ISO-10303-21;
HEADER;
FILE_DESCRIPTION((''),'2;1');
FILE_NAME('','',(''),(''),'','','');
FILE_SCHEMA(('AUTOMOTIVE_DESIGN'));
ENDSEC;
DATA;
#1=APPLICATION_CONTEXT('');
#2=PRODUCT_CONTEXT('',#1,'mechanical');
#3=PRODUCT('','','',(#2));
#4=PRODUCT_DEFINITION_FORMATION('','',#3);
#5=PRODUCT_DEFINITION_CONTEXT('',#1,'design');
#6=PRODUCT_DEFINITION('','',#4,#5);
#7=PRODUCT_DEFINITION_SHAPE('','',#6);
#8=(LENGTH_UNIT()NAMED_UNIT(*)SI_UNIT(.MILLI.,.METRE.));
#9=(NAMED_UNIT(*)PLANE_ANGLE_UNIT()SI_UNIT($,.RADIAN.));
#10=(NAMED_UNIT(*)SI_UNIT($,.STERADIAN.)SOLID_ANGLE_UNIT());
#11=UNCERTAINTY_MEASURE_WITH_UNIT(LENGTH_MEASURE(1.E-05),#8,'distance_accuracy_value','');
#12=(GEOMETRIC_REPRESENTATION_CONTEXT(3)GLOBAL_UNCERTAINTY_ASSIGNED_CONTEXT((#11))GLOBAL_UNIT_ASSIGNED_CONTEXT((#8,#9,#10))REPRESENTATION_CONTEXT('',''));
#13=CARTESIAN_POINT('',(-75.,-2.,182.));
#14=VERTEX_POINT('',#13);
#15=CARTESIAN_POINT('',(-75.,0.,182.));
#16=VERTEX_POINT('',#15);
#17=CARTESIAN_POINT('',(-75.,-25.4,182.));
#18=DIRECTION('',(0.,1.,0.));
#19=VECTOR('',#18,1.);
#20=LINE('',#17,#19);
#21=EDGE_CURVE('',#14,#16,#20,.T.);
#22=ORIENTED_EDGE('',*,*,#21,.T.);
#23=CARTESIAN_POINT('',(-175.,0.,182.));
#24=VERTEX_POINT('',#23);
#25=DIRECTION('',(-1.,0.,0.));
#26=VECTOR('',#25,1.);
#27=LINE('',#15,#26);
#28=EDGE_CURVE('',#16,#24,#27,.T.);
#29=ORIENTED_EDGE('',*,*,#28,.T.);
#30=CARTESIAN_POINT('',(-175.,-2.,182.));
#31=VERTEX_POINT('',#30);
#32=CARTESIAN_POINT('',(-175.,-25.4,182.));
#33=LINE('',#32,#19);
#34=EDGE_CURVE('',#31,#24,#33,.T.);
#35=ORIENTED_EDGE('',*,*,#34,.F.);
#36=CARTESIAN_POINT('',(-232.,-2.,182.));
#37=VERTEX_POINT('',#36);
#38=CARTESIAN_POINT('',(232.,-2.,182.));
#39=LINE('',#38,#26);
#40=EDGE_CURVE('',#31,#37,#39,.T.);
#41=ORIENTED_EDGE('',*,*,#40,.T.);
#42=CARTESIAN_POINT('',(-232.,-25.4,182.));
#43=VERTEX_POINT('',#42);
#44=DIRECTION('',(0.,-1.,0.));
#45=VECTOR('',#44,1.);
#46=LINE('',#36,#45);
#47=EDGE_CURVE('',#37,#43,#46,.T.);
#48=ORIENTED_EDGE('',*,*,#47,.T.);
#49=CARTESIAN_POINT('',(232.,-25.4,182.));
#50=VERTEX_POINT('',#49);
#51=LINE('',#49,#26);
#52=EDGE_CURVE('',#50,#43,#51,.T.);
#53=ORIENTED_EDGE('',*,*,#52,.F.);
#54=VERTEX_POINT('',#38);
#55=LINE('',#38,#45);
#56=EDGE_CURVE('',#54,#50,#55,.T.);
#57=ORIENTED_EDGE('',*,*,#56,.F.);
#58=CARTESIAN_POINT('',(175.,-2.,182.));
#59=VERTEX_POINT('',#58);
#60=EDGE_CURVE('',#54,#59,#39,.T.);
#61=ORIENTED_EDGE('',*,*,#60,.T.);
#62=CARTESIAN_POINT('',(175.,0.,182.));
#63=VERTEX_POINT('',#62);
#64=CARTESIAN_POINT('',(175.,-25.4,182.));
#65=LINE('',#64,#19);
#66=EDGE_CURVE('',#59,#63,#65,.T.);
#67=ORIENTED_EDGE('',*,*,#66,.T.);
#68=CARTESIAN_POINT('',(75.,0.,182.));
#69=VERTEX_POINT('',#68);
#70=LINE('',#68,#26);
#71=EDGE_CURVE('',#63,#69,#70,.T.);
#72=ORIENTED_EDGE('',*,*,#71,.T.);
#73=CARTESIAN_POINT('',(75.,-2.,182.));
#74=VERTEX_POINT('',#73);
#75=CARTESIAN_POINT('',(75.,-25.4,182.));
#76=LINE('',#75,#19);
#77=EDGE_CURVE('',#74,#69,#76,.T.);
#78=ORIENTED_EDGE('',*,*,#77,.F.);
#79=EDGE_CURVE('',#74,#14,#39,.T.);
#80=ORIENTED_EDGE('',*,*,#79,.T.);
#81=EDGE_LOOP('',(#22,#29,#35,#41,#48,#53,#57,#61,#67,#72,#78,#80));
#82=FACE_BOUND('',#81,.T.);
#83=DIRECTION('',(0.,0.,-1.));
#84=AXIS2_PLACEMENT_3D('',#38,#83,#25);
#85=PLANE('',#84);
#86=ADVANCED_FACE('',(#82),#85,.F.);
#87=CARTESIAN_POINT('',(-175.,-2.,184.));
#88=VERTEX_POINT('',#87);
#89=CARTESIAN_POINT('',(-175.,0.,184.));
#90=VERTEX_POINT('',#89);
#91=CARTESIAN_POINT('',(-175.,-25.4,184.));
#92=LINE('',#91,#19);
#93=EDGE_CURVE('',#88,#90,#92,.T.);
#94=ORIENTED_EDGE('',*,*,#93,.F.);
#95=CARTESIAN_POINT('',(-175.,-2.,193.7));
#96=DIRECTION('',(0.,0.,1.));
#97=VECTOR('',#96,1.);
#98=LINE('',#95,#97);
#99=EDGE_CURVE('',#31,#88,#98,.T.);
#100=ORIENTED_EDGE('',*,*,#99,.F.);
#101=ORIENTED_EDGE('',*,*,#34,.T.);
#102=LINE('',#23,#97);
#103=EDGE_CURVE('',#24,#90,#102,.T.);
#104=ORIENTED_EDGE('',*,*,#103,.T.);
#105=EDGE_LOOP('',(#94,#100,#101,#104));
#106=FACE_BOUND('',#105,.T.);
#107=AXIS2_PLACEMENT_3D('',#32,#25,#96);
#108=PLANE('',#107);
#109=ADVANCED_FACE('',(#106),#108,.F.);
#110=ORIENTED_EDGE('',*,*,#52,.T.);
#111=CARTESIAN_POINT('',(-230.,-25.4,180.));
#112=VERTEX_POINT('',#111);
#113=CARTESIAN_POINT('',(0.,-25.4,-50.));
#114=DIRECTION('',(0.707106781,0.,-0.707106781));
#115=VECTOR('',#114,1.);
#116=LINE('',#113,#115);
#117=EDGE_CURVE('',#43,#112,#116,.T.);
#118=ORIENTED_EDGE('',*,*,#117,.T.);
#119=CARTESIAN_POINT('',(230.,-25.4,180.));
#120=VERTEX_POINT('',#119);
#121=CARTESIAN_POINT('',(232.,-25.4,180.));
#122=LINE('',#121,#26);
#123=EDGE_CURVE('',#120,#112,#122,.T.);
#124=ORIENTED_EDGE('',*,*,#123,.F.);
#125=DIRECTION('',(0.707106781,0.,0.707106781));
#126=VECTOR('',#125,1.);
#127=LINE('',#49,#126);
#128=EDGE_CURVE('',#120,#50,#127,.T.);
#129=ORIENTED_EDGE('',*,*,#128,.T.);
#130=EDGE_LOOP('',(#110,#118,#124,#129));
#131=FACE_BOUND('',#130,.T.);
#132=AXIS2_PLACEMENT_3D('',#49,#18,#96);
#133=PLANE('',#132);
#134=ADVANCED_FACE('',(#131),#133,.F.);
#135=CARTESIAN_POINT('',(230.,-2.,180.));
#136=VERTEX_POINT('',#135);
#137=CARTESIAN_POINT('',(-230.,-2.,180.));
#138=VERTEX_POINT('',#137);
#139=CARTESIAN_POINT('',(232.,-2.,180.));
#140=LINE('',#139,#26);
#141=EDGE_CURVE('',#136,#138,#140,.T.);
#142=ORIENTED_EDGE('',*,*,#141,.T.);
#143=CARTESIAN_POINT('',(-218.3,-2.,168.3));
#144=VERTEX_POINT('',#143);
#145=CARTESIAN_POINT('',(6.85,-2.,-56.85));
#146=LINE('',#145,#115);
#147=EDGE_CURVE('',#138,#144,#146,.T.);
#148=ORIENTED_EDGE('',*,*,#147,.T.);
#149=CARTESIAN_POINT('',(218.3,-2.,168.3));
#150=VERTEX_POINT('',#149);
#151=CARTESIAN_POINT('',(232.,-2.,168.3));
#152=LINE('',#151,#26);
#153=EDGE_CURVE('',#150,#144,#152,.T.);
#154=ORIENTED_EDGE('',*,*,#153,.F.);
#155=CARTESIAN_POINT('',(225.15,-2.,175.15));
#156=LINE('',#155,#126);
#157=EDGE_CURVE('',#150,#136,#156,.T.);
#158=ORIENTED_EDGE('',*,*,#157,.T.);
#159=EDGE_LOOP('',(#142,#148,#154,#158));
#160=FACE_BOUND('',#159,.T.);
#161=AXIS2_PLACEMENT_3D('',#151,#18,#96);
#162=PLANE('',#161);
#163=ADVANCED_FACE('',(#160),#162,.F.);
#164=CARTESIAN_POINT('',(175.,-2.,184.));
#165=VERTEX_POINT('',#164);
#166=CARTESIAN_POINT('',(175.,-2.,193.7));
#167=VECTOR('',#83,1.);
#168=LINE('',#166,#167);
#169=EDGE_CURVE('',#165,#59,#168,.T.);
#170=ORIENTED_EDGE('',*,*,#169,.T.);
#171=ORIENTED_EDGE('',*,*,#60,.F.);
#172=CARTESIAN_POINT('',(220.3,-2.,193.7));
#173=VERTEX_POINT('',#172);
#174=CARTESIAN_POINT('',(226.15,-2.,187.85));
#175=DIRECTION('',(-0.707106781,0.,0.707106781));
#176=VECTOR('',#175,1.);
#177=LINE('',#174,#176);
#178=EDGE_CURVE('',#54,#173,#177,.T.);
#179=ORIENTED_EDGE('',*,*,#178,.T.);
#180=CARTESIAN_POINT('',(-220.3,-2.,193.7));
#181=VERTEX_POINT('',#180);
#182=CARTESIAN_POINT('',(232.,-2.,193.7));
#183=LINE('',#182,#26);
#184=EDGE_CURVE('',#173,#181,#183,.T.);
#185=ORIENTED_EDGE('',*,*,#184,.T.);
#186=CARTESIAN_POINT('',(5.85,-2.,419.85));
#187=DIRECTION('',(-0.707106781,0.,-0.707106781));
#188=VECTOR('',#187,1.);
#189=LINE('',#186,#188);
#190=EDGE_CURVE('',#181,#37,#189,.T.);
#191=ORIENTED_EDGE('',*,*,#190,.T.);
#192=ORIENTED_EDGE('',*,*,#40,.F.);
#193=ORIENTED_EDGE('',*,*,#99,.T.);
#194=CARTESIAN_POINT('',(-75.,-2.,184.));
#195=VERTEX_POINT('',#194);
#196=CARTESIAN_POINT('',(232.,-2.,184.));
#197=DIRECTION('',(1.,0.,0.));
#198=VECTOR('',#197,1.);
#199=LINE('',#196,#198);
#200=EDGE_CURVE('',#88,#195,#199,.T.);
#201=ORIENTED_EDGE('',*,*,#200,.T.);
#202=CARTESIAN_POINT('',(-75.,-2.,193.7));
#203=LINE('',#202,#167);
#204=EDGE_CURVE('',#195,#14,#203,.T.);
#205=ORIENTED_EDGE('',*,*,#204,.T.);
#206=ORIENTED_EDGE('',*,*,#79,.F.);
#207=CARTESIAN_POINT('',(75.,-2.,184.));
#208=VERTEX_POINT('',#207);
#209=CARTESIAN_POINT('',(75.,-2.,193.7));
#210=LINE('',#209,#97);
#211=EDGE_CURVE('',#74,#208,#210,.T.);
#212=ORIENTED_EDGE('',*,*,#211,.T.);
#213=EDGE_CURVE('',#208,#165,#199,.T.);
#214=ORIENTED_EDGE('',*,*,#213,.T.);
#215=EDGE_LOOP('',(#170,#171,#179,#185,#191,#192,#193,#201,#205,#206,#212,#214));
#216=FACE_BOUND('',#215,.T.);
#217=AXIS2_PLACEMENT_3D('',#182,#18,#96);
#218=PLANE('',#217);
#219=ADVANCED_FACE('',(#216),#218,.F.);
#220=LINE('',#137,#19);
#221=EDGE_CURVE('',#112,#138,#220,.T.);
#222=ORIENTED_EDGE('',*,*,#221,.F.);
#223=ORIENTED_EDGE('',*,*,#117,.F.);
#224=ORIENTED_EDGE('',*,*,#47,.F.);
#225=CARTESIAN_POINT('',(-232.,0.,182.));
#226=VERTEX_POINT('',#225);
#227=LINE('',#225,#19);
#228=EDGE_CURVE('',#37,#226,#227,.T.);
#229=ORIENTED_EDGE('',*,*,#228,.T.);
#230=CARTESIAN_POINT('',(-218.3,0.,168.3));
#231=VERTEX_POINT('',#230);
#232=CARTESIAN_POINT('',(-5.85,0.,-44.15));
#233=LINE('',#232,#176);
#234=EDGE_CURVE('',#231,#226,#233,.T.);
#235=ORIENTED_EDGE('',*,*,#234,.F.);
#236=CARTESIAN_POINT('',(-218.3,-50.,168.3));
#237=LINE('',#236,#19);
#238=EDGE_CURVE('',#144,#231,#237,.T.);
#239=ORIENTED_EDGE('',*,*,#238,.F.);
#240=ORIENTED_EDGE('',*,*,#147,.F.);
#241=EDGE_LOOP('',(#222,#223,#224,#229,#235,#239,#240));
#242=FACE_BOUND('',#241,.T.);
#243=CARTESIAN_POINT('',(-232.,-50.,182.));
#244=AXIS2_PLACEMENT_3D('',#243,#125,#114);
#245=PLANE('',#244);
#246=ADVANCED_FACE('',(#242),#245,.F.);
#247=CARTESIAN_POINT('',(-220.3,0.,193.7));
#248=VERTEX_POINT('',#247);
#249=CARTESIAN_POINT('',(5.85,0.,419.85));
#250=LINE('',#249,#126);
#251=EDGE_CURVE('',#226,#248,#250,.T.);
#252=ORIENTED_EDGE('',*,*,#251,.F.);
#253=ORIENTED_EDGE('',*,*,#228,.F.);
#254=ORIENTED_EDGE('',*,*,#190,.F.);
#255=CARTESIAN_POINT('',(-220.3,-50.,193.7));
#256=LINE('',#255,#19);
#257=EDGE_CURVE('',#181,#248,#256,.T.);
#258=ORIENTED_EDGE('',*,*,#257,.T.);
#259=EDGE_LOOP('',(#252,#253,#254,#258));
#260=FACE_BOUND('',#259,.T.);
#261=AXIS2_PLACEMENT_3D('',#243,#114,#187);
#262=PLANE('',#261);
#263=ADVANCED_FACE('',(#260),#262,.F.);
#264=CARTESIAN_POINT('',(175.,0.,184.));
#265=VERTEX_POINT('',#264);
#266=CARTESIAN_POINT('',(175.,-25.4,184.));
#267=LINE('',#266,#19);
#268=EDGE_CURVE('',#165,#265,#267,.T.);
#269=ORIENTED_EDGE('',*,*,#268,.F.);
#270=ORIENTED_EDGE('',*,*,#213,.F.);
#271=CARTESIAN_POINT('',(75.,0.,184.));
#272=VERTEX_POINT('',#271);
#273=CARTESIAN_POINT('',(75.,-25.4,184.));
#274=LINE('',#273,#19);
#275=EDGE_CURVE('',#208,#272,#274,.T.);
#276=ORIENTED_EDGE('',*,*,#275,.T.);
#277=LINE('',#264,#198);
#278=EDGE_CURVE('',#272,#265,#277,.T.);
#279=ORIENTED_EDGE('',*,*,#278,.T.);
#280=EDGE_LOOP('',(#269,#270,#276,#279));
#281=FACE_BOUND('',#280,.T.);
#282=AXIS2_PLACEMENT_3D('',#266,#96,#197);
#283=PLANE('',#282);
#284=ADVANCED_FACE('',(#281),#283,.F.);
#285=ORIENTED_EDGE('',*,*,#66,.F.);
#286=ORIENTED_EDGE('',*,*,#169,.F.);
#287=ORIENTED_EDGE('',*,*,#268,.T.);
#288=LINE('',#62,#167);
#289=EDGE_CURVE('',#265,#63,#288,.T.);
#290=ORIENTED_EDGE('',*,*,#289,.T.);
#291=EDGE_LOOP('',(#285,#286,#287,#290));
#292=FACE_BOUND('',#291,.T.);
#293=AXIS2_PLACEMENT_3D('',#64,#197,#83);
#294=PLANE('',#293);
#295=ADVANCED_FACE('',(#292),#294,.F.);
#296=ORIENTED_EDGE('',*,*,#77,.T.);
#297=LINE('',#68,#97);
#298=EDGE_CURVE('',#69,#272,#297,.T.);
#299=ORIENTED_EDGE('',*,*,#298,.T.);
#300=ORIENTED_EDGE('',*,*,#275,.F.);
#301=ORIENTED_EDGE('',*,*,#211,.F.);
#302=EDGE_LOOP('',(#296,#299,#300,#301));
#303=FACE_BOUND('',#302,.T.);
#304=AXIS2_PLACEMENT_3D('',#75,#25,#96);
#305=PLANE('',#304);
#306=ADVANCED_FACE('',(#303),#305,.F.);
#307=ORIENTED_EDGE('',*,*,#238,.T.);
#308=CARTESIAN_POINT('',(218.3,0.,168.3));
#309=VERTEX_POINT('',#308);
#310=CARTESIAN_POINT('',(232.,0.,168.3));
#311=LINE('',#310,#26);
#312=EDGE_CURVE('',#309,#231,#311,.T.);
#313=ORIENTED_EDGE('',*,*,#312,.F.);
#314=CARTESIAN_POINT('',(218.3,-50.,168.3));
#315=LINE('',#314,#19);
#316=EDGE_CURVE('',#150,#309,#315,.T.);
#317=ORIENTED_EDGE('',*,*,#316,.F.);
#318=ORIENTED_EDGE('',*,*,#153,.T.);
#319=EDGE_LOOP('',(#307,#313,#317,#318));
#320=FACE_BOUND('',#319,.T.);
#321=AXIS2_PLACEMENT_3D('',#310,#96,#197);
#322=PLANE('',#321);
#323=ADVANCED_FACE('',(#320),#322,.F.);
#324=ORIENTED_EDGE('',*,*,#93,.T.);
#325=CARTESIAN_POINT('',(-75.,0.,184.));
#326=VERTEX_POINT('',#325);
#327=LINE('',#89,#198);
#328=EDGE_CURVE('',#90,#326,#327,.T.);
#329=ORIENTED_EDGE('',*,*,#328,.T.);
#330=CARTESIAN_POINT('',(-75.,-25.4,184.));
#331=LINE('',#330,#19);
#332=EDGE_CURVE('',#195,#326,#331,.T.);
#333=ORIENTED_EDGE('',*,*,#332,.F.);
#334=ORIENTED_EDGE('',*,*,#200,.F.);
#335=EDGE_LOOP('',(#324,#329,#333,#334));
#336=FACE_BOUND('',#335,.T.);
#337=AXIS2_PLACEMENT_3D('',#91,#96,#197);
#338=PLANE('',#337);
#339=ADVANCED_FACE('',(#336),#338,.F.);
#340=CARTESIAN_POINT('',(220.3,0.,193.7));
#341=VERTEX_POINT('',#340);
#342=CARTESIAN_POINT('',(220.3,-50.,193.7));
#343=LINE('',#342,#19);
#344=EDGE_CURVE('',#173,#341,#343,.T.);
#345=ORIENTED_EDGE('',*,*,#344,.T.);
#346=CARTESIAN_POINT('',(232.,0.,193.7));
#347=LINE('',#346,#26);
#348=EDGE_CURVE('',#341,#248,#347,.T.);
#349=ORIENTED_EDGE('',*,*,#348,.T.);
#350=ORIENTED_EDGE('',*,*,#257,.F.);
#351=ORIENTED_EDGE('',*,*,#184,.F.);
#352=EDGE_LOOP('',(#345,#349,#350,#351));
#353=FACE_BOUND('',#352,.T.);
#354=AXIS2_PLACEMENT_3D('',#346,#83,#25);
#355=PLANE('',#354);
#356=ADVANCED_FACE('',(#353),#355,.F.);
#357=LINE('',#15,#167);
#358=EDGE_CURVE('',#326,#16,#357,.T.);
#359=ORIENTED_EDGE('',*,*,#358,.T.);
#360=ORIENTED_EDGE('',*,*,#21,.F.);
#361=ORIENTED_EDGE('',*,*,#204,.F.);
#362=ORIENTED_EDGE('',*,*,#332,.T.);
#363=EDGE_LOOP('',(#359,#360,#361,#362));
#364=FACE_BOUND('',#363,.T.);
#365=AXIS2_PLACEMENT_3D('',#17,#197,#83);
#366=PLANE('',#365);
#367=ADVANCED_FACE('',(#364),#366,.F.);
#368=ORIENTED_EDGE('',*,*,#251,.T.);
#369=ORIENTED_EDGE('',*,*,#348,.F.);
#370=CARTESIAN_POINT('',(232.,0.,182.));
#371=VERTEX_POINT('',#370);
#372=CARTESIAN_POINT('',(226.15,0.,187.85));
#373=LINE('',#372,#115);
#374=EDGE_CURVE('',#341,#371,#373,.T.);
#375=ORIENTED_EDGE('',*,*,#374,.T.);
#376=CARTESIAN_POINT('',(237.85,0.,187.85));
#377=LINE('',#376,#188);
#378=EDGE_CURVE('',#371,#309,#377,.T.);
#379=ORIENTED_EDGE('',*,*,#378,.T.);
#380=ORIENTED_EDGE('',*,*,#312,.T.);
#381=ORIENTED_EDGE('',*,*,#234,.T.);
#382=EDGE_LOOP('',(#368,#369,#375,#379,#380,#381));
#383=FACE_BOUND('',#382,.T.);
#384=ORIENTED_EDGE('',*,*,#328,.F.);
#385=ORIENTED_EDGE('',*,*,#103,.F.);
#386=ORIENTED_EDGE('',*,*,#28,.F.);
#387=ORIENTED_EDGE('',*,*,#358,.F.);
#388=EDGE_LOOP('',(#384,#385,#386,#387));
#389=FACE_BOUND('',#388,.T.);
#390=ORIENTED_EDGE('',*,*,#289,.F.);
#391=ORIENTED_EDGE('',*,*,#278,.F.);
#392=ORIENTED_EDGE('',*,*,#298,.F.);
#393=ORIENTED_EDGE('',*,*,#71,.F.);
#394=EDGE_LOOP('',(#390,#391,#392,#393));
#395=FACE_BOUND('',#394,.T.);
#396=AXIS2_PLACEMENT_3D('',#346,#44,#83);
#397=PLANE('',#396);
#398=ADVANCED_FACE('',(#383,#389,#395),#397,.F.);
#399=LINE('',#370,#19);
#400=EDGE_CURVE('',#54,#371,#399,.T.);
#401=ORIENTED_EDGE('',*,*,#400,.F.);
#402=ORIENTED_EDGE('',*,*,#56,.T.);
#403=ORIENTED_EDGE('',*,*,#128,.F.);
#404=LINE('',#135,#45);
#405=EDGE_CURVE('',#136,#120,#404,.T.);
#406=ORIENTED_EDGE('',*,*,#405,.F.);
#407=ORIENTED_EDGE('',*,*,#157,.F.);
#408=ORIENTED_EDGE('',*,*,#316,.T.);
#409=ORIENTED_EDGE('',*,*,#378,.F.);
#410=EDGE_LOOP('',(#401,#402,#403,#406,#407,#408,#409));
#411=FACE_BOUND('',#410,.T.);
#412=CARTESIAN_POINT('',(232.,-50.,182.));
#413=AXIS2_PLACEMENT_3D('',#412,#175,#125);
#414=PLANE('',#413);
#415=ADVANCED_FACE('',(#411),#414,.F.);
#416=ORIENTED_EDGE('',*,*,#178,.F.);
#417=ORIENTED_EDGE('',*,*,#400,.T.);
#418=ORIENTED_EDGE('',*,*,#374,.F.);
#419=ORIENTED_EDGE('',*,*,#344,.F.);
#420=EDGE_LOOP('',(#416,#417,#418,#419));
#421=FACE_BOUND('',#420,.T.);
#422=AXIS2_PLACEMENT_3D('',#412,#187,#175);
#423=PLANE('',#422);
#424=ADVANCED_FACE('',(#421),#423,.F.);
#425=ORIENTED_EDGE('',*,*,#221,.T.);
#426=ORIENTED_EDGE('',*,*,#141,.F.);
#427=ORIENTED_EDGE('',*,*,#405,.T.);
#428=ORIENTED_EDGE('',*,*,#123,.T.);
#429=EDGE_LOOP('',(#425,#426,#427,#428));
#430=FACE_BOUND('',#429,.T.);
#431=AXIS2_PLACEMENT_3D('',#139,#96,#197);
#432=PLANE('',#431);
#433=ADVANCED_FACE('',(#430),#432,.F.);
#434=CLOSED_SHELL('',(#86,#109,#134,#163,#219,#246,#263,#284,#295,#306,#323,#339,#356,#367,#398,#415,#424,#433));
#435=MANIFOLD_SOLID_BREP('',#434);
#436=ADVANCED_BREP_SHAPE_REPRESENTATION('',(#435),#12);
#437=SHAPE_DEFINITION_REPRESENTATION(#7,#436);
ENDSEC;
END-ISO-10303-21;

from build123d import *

# Parameters (mm, degrees)
RESSALTO_EXTRUS_O1_DEPTH = 232
CORTE_EXTRUS_O1_DEPTH    = 50
ESBO_O3_W                = 100
ESBO_O3_H                = 2
CORTE_EXTRUS_O2_DEPTH    = 304.296636974
CORTE_EXTRUS_O3_DEPTH    = 50


with BuildPart() as part:
    # Esboço1 → Ressalto-extrusão1 (new, symmetric)
    with BuildSketch(Plane(origin=(0, 0, 0), x_dir=(0, 0, -1), z_dir=(1, 0, 0))):
        Polygon((-193.7, 0), (-168.3, 0), (-168.3, -2), (-180, -2), (-180, -25.4), (-182, -25.4), (-182, -2), (-193.7, -2), align=None)
    extrude(amount=RESSALTO_EXTRUS_O1_DEPTH, both=True)

    # Esboço2 → Corte-extrusão1 (cut, symmetric)
    with BuildSketch(Plane(origin=(0, 0, 0), x_dir=(1, 0, 0), z_dir=(0, 1, 0))):
        Polygon((-232, -182), (-218.3, -168.3), (-232, -168.3), align=None)
        Polygon((232, -182), (218.3, -168.3), (232, -168.3), align=None)
    extrude(amount=CORTE_EXTRUS_O1_DEPTH, both=True, mode=Mode.SUBTRACT)

    # Esboço3 → Corte-extrusão2 (cut, through all)
    with BuildSketch(Plane(origin=(0, 0, 0), x_dir=(1, 0, 0), z_dir=(0, 1, 0))):
        with Locations((-125, -183)):
            Rectangle(ESBO_O3_W, ESBO_O3_H)
        with Locations((125, -183)):
            Rectangle(ESBO_O3_W, ESBO_O3_H)
    extrude(amount=-CORTE_EXTRUS_O2_DEPTH, mode=Mode.SUBTRACT)

    # Esboço4 → Corte-extrusão3 (cut, symmetric)
    with BuildSketch(Plane(origin=(0, 0, 0), x_dir=(1, 0, 0), z_dir=(0, 1, 0))):
        Polygon((-232, -182), (-220.3, -193.7), (-232, -193.7), align=None)
        Polygon((232, -182), (220.3, -193.7), (232, -193.7), align=None)
    extrude(amount=CORTE_EXTRUS_O3_DEPTH, both=True, mode=Mode.SUBTRACT)


solid = part.part
